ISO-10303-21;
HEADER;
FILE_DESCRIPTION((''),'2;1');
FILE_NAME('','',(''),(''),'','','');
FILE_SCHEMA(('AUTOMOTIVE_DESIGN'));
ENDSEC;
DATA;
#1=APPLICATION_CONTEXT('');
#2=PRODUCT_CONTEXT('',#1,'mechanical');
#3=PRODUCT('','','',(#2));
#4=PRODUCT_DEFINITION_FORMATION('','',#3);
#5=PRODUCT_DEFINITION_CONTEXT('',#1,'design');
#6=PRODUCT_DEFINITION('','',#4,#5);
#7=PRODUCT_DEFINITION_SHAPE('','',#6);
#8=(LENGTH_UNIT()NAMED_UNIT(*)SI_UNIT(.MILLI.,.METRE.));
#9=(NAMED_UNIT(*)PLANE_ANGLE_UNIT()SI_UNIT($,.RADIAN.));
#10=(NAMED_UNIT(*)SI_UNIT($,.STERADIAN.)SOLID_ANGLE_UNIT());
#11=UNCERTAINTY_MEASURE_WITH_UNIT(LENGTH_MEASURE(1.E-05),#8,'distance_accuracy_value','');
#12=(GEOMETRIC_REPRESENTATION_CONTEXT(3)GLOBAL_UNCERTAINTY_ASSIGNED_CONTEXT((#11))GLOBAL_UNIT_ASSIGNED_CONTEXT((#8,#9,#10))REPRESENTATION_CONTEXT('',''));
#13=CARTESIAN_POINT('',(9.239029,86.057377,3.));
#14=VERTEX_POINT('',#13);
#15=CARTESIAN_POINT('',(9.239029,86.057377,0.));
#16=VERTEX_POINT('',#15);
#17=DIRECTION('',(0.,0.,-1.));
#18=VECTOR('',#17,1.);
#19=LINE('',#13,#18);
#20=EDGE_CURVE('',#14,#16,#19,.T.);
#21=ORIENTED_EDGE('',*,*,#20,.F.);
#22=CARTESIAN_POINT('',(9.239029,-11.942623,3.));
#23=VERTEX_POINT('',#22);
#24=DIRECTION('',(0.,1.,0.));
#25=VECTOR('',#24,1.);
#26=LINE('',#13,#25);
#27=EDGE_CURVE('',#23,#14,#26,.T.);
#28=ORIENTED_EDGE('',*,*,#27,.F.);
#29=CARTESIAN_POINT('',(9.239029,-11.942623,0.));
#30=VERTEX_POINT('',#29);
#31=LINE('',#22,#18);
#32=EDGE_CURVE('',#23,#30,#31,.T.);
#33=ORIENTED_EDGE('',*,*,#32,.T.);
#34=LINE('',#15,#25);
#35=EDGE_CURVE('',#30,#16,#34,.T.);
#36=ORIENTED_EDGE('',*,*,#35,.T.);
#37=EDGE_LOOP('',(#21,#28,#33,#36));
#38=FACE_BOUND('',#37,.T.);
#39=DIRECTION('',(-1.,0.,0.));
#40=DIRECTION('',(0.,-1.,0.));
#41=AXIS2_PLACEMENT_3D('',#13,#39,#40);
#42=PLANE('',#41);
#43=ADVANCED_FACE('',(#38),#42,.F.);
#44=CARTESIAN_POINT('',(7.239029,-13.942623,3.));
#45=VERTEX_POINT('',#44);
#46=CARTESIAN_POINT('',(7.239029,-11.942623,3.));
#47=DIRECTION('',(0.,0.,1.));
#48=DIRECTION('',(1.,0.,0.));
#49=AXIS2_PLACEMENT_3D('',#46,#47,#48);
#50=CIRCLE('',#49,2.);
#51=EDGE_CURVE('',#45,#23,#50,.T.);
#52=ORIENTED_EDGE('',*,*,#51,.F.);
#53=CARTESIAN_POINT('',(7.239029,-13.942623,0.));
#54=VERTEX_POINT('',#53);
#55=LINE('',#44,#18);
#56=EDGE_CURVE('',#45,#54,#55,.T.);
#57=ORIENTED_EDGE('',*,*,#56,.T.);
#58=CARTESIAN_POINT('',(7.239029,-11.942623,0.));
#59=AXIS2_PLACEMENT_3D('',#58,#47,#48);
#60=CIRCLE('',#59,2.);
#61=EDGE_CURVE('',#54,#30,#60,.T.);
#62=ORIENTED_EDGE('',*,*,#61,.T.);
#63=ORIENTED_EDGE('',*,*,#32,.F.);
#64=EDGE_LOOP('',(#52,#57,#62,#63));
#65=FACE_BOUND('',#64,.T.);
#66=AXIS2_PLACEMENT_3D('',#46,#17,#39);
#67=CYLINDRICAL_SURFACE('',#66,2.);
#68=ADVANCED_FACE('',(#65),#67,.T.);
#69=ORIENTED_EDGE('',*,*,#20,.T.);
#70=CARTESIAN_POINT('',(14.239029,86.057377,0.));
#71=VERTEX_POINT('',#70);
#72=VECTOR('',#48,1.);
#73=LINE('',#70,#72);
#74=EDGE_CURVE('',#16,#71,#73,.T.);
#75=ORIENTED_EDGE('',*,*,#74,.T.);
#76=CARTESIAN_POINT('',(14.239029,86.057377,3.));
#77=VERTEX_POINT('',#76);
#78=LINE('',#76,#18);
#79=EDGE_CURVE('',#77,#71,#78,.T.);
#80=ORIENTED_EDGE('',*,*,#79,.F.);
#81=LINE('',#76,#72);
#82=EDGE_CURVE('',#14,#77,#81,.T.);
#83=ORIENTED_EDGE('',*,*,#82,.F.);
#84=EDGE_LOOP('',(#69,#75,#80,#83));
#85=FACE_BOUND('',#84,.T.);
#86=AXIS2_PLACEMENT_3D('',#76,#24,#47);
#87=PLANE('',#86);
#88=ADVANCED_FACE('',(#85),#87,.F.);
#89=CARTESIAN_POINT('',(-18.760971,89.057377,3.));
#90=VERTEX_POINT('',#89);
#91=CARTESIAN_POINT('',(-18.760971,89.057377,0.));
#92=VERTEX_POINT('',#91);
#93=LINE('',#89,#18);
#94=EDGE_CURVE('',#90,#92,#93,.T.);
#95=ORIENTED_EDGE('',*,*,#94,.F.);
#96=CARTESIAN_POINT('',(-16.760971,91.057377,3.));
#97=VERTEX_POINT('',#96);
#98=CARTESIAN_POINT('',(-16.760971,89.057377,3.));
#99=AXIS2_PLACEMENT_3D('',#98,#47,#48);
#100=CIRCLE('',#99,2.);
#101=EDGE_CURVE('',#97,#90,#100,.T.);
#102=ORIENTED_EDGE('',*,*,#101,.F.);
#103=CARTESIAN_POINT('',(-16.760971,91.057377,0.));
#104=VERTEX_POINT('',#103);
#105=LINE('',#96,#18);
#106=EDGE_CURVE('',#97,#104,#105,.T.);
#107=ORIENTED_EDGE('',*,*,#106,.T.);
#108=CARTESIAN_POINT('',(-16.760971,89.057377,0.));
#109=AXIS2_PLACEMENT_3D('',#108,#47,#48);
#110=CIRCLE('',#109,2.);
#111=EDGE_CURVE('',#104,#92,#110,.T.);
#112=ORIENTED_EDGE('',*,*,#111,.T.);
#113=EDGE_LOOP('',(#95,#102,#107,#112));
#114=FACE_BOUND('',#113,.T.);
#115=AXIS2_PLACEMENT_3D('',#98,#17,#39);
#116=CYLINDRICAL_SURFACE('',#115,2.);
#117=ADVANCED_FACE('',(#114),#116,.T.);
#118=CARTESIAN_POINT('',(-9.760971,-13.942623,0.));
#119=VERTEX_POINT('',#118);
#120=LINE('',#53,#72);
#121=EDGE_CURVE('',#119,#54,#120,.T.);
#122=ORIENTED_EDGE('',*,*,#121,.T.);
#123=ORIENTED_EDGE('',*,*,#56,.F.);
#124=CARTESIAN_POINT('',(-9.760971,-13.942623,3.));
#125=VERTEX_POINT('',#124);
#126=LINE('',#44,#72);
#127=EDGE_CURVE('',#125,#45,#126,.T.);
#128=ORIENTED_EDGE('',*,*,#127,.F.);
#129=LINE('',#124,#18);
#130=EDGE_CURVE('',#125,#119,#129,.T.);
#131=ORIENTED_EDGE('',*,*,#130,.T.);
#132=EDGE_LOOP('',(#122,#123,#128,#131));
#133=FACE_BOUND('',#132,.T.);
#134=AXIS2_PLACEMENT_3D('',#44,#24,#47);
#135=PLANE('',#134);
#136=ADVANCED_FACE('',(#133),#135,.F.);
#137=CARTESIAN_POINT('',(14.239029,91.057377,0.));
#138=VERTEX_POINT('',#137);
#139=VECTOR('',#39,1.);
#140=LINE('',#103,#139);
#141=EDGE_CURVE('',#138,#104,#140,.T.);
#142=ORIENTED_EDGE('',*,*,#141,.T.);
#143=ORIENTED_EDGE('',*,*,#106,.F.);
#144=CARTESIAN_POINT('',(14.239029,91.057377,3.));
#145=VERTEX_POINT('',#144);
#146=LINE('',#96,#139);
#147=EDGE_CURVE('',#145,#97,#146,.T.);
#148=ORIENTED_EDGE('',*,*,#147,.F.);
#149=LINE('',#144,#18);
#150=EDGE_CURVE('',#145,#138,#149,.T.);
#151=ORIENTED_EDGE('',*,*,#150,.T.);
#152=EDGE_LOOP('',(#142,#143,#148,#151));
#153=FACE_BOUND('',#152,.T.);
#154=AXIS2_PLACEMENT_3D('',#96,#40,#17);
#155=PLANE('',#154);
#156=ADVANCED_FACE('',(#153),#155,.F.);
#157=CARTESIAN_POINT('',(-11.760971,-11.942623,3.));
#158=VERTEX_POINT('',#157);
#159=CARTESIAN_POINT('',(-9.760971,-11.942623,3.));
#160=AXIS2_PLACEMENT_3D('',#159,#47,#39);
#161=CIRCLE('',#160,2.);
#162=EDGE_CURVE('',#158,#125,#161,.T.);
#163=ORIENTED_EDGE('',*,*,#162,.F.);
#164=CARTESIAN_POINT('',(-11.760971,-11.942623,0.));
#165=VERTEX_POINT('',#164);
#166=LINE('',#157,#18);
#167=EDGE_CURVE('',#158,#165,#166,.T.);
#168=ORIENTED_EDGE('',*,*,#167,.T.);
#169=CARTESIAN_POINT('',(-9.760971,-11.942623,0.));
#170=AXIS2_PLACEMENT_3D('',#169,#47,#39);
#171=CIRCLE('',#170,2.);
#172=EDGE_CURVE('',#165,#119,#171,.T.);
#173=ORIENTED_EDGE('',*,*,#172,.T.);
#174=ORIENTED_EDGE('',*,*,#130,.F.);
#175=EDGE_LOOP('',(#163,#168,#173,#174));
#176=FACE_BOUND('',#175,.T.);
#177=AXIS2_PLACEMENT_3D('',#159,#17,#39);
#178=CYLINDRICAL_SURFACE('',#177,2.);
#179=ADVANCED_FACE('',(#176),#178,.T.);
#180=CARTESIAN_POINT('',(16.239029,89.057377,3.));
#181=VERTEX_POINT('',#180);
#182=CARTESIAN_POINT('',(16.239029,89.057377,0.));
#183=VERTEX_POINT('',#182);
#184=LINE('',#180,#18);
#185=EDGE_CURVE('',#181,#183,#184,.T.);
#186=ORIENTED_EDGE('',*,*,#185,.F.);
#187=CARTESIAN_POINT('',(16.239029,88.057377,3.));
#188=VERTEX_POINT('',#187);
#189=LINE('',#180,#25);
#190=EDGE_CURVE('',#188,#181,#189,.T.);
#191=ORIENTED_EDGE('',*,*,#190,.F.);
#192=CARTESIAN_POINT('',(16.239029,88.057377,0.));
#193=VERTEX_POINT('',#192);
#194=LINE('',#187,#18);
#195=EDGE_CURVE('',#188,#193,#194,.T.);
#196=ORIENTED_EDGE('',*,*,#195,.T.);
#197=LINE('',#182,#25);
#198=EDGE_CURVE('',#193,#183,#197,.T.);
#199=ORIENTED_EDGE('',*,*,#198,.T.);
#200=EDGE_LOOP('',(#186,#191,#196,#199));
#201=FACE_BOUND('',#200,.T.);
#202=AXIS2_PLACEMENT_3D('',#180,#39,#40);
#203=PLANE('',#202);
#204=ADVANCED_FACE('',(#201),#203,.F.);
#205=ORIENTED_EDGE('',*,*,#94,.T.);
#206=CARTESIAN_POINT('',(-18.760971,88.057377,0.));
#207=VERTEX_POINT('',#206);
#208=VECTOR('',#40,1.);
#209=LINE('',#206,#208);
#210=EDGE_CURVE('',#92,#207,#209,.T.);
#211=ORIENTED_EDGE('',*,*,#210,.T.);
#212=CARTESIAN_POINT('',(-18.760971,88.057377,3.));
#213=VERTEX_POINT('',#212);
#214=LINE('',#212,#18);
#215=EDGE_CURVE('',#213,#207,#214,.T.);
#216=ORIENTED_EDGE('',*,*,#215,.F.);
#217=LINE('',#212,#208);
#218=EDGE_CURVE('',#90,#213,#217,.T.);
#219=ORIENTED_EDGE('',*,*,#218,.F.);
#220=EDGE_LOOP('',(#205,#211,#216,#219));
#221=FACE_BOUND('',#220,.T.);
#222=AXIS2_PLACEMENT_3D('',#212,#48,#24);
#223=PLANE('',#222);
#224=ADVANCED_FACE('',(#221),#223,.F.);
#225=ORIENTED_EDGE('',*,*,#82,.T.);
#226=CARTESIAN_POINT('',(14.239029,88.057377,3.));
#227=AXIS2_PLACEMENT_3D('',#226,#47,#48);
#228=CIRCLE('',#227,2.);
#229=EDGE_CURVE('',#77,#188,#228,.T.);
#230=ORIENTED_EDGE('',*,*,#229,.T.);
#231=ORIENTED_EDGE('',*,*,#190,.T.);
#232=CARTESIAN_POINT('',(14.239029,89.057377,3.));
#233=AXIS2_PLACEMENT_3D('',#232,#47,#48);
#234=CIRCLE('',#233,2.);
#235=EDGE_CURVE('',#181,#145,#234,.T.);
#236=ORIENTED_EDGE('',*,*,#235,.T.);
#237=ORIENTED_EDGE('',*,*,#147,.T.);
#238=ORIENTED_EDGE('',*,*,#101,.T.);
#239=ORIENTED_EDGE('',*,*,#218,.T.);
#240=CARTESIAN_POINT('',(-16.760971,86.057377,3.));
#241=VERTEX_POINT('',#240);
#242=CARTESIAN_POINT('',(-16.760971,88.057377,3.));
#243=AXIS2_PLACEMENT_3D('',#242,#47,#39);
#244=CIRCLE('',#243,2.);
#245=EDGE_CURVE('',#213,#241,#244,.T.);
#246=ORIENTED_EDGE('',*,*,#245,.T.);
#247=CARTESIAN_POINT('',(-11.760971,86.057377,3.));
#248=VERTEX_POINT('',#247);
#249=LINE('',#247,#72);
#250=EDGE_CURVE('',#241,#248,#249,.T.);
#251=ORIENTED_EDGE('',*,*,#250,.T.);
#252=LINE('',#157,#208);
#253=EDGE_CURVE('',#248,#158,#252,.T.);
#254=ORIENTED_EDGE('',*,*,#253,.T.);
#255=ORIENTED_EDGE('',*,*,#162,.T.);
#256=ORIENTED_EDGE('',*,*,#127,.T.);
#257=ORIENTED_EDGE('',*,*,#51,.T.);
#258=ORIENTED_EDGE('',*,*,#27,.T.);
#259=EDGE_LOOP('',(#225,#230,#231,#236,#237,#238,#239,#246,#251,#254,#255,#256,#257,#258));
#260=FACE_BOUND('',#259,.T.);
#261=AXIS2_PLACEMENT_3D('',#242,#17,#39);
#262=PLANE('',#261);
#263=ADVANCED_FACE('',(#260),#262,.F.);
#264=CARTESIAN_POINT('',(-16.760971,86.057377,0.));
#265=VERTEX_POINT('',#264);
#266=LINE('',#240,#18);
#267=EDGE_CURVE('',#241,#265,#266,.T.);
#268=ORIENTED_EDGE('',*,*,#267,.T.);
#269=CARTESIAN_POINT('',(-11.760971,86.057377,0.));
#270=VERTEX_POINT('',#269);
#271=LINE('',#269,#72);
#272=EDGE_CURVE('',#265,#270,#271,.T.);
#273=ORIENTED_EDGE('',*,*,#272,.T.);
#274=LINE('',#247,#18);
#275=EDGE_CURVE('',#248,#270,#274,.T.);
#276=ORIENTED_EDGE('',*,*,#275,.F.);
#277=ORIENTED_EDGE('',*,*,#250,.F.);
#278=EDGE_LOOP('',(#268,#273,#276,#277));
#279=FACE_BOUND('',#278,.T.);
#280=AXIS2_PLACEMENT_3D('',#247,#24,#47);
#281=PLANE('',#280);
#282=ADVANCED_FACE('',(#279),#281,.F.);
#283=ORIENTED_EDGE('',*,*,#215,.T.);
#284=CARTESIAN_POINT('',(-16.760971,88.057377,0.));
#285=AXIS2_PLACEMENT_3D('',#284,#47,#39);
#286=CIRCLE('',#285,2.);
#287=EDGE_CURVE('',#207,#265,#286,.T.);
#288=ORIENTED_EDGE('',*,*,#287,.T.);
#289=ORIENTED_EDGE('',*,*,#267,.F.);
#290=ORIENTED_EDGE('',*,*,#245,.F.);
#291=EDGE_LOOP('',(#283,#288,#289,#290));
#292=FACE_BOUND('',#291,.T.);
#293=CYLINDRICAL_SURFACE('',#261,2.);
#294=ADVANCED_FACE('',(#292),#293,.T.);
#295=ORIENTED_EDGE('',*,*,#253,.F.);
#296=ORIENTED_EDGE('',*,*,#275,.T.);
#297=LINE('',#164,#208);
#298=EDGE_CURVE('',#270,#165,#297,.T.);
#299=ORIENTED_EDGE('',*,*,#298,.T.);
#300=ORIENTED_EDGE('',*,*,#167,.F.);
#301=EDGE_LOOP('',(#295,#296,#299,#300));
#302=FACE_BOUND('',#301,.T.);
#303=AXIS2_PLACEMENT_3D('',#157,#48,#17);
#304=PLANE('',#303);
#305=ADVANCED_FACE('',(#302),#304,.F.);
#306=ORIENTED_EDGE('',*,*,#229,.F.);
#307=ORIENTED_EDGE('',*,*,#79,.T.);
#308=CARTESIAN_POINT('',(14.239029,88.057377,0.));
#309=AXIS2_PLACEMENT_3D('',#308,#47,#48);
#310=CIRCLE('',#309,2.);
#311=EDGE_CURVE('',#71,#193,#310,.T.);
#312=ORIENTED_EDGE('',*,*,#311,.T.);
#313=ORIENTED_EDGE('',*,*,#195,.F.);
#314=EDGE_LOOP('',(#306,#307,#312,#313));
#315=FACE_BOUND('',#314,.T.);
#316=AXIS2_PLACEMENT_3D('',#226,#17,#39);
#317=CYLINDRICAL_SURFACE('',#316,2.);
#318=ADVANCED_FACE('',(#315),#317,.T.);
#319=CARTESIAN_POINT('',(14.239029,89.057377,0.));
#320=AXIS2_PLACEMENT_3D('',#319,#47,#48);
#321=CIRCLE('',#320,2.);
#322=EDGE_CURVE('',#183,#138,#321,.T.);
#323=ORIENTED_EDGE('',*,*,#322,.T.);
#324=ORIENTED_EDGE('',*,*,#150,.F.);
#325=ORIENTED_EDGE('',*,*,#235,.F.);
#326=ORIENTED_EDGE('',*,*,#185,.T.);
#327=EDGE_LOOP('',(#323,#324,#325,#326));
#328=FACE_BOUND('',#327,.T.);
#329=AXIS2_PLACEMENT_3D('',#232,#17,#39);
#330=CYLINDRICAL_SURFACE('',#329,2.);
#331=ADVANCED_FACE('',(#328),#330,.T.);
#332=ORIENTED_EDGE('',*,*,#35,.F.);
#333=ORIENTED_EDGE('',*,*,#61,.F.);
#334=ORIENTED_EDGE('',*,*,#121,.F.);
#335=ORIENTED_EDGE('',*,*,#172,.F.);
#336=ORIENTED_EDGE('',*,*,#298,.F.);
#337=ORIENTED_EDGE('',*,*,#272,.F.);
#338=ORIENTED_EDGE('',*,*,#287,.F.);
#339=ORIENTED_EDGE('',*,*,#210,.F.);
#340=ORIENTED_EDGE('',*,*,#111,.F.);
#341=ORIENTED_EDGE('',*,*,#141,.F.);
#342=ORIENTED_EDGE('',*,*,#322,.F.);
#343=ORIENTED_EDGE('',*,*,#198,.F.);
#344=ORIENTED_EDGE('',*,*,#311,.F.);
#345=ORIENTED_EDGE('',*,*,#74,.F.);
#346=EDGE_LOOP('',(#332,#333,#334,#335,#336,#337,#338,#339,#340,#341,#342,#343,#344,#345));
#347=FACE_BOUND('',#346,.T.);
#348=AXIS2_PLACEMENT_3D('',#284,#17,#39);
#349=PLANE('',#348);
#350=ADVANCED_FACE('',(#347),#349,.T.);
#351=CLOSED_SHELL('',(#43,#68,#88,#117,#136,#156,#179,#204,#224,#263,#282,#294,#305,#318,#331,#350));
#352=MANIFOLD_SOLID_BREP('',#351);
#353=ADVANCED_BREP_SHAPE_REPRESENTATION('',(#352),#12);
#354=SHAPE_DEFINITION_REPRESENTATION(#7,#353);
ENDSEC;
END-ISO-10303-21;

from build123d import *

# Parameters (mm, degrees)
BOSS_EXTRUDE1_DEPTH = 3


with BuildPart() as part:
    # Sketch1 → Boss-Extrude1 (new body)
    with BuildSketch(Plane.XY):
        with BuildLine():
            Line((-16.760970728, 91.057377049), (14.239029272, 91.057377049))
            ThreePointArc((14.239029272, 91.057377049), (15.653242834, 90.471590612), (16.239029272, 89.057377049))
            Line((16.239029272, 89.057377049), (16.239029272, 88.057377049))
            ThreePointArc((16.239029272, 88.057377049), (15.653242834, 86.643163487), (14.239029272, 86.057377049))
            Line((14.239029272, 86.057377049), (9.239029272, 86.057377049))
            Line((9.239029272, 86.057377049), (9.239029272, -11.942622951))
            ThreePointArc((9.239029272, -11.942622951), (8.653242834, -13.356836513), (7.239029272, -13.942622951))
            Line((7.239029272, -13.942622951), (-9.760970728, -13.942622951))
            ThreePointArc((-9.760970728, -13.942622951), (-11.175184291, -13.356836513), (-11.760970728, -11.942622951))
            Line((-11.760970728, -11.942622951), (-11.760970728, 86.057377049))
            Line((-11.760970728, 86.057377049), (-16.760970728, 86.057377049))
            ThreePointArc((-16.760970728, 86.057377049), (-18.175184291, 86.643163487), (-18.760970728, 88.057377049))
            Line((-18.760970728, 88.057377049), (-18.760970728, 89.057377049))
            ThreePointArc((-18.760970728, 89.057377049), (-18.175184291, 90.471590612), (-16.760970728, 91.057377049))
        make_face()
    extrude(amount=BOSS_EXTRUDE1_DEPTH)


solid = part.part
